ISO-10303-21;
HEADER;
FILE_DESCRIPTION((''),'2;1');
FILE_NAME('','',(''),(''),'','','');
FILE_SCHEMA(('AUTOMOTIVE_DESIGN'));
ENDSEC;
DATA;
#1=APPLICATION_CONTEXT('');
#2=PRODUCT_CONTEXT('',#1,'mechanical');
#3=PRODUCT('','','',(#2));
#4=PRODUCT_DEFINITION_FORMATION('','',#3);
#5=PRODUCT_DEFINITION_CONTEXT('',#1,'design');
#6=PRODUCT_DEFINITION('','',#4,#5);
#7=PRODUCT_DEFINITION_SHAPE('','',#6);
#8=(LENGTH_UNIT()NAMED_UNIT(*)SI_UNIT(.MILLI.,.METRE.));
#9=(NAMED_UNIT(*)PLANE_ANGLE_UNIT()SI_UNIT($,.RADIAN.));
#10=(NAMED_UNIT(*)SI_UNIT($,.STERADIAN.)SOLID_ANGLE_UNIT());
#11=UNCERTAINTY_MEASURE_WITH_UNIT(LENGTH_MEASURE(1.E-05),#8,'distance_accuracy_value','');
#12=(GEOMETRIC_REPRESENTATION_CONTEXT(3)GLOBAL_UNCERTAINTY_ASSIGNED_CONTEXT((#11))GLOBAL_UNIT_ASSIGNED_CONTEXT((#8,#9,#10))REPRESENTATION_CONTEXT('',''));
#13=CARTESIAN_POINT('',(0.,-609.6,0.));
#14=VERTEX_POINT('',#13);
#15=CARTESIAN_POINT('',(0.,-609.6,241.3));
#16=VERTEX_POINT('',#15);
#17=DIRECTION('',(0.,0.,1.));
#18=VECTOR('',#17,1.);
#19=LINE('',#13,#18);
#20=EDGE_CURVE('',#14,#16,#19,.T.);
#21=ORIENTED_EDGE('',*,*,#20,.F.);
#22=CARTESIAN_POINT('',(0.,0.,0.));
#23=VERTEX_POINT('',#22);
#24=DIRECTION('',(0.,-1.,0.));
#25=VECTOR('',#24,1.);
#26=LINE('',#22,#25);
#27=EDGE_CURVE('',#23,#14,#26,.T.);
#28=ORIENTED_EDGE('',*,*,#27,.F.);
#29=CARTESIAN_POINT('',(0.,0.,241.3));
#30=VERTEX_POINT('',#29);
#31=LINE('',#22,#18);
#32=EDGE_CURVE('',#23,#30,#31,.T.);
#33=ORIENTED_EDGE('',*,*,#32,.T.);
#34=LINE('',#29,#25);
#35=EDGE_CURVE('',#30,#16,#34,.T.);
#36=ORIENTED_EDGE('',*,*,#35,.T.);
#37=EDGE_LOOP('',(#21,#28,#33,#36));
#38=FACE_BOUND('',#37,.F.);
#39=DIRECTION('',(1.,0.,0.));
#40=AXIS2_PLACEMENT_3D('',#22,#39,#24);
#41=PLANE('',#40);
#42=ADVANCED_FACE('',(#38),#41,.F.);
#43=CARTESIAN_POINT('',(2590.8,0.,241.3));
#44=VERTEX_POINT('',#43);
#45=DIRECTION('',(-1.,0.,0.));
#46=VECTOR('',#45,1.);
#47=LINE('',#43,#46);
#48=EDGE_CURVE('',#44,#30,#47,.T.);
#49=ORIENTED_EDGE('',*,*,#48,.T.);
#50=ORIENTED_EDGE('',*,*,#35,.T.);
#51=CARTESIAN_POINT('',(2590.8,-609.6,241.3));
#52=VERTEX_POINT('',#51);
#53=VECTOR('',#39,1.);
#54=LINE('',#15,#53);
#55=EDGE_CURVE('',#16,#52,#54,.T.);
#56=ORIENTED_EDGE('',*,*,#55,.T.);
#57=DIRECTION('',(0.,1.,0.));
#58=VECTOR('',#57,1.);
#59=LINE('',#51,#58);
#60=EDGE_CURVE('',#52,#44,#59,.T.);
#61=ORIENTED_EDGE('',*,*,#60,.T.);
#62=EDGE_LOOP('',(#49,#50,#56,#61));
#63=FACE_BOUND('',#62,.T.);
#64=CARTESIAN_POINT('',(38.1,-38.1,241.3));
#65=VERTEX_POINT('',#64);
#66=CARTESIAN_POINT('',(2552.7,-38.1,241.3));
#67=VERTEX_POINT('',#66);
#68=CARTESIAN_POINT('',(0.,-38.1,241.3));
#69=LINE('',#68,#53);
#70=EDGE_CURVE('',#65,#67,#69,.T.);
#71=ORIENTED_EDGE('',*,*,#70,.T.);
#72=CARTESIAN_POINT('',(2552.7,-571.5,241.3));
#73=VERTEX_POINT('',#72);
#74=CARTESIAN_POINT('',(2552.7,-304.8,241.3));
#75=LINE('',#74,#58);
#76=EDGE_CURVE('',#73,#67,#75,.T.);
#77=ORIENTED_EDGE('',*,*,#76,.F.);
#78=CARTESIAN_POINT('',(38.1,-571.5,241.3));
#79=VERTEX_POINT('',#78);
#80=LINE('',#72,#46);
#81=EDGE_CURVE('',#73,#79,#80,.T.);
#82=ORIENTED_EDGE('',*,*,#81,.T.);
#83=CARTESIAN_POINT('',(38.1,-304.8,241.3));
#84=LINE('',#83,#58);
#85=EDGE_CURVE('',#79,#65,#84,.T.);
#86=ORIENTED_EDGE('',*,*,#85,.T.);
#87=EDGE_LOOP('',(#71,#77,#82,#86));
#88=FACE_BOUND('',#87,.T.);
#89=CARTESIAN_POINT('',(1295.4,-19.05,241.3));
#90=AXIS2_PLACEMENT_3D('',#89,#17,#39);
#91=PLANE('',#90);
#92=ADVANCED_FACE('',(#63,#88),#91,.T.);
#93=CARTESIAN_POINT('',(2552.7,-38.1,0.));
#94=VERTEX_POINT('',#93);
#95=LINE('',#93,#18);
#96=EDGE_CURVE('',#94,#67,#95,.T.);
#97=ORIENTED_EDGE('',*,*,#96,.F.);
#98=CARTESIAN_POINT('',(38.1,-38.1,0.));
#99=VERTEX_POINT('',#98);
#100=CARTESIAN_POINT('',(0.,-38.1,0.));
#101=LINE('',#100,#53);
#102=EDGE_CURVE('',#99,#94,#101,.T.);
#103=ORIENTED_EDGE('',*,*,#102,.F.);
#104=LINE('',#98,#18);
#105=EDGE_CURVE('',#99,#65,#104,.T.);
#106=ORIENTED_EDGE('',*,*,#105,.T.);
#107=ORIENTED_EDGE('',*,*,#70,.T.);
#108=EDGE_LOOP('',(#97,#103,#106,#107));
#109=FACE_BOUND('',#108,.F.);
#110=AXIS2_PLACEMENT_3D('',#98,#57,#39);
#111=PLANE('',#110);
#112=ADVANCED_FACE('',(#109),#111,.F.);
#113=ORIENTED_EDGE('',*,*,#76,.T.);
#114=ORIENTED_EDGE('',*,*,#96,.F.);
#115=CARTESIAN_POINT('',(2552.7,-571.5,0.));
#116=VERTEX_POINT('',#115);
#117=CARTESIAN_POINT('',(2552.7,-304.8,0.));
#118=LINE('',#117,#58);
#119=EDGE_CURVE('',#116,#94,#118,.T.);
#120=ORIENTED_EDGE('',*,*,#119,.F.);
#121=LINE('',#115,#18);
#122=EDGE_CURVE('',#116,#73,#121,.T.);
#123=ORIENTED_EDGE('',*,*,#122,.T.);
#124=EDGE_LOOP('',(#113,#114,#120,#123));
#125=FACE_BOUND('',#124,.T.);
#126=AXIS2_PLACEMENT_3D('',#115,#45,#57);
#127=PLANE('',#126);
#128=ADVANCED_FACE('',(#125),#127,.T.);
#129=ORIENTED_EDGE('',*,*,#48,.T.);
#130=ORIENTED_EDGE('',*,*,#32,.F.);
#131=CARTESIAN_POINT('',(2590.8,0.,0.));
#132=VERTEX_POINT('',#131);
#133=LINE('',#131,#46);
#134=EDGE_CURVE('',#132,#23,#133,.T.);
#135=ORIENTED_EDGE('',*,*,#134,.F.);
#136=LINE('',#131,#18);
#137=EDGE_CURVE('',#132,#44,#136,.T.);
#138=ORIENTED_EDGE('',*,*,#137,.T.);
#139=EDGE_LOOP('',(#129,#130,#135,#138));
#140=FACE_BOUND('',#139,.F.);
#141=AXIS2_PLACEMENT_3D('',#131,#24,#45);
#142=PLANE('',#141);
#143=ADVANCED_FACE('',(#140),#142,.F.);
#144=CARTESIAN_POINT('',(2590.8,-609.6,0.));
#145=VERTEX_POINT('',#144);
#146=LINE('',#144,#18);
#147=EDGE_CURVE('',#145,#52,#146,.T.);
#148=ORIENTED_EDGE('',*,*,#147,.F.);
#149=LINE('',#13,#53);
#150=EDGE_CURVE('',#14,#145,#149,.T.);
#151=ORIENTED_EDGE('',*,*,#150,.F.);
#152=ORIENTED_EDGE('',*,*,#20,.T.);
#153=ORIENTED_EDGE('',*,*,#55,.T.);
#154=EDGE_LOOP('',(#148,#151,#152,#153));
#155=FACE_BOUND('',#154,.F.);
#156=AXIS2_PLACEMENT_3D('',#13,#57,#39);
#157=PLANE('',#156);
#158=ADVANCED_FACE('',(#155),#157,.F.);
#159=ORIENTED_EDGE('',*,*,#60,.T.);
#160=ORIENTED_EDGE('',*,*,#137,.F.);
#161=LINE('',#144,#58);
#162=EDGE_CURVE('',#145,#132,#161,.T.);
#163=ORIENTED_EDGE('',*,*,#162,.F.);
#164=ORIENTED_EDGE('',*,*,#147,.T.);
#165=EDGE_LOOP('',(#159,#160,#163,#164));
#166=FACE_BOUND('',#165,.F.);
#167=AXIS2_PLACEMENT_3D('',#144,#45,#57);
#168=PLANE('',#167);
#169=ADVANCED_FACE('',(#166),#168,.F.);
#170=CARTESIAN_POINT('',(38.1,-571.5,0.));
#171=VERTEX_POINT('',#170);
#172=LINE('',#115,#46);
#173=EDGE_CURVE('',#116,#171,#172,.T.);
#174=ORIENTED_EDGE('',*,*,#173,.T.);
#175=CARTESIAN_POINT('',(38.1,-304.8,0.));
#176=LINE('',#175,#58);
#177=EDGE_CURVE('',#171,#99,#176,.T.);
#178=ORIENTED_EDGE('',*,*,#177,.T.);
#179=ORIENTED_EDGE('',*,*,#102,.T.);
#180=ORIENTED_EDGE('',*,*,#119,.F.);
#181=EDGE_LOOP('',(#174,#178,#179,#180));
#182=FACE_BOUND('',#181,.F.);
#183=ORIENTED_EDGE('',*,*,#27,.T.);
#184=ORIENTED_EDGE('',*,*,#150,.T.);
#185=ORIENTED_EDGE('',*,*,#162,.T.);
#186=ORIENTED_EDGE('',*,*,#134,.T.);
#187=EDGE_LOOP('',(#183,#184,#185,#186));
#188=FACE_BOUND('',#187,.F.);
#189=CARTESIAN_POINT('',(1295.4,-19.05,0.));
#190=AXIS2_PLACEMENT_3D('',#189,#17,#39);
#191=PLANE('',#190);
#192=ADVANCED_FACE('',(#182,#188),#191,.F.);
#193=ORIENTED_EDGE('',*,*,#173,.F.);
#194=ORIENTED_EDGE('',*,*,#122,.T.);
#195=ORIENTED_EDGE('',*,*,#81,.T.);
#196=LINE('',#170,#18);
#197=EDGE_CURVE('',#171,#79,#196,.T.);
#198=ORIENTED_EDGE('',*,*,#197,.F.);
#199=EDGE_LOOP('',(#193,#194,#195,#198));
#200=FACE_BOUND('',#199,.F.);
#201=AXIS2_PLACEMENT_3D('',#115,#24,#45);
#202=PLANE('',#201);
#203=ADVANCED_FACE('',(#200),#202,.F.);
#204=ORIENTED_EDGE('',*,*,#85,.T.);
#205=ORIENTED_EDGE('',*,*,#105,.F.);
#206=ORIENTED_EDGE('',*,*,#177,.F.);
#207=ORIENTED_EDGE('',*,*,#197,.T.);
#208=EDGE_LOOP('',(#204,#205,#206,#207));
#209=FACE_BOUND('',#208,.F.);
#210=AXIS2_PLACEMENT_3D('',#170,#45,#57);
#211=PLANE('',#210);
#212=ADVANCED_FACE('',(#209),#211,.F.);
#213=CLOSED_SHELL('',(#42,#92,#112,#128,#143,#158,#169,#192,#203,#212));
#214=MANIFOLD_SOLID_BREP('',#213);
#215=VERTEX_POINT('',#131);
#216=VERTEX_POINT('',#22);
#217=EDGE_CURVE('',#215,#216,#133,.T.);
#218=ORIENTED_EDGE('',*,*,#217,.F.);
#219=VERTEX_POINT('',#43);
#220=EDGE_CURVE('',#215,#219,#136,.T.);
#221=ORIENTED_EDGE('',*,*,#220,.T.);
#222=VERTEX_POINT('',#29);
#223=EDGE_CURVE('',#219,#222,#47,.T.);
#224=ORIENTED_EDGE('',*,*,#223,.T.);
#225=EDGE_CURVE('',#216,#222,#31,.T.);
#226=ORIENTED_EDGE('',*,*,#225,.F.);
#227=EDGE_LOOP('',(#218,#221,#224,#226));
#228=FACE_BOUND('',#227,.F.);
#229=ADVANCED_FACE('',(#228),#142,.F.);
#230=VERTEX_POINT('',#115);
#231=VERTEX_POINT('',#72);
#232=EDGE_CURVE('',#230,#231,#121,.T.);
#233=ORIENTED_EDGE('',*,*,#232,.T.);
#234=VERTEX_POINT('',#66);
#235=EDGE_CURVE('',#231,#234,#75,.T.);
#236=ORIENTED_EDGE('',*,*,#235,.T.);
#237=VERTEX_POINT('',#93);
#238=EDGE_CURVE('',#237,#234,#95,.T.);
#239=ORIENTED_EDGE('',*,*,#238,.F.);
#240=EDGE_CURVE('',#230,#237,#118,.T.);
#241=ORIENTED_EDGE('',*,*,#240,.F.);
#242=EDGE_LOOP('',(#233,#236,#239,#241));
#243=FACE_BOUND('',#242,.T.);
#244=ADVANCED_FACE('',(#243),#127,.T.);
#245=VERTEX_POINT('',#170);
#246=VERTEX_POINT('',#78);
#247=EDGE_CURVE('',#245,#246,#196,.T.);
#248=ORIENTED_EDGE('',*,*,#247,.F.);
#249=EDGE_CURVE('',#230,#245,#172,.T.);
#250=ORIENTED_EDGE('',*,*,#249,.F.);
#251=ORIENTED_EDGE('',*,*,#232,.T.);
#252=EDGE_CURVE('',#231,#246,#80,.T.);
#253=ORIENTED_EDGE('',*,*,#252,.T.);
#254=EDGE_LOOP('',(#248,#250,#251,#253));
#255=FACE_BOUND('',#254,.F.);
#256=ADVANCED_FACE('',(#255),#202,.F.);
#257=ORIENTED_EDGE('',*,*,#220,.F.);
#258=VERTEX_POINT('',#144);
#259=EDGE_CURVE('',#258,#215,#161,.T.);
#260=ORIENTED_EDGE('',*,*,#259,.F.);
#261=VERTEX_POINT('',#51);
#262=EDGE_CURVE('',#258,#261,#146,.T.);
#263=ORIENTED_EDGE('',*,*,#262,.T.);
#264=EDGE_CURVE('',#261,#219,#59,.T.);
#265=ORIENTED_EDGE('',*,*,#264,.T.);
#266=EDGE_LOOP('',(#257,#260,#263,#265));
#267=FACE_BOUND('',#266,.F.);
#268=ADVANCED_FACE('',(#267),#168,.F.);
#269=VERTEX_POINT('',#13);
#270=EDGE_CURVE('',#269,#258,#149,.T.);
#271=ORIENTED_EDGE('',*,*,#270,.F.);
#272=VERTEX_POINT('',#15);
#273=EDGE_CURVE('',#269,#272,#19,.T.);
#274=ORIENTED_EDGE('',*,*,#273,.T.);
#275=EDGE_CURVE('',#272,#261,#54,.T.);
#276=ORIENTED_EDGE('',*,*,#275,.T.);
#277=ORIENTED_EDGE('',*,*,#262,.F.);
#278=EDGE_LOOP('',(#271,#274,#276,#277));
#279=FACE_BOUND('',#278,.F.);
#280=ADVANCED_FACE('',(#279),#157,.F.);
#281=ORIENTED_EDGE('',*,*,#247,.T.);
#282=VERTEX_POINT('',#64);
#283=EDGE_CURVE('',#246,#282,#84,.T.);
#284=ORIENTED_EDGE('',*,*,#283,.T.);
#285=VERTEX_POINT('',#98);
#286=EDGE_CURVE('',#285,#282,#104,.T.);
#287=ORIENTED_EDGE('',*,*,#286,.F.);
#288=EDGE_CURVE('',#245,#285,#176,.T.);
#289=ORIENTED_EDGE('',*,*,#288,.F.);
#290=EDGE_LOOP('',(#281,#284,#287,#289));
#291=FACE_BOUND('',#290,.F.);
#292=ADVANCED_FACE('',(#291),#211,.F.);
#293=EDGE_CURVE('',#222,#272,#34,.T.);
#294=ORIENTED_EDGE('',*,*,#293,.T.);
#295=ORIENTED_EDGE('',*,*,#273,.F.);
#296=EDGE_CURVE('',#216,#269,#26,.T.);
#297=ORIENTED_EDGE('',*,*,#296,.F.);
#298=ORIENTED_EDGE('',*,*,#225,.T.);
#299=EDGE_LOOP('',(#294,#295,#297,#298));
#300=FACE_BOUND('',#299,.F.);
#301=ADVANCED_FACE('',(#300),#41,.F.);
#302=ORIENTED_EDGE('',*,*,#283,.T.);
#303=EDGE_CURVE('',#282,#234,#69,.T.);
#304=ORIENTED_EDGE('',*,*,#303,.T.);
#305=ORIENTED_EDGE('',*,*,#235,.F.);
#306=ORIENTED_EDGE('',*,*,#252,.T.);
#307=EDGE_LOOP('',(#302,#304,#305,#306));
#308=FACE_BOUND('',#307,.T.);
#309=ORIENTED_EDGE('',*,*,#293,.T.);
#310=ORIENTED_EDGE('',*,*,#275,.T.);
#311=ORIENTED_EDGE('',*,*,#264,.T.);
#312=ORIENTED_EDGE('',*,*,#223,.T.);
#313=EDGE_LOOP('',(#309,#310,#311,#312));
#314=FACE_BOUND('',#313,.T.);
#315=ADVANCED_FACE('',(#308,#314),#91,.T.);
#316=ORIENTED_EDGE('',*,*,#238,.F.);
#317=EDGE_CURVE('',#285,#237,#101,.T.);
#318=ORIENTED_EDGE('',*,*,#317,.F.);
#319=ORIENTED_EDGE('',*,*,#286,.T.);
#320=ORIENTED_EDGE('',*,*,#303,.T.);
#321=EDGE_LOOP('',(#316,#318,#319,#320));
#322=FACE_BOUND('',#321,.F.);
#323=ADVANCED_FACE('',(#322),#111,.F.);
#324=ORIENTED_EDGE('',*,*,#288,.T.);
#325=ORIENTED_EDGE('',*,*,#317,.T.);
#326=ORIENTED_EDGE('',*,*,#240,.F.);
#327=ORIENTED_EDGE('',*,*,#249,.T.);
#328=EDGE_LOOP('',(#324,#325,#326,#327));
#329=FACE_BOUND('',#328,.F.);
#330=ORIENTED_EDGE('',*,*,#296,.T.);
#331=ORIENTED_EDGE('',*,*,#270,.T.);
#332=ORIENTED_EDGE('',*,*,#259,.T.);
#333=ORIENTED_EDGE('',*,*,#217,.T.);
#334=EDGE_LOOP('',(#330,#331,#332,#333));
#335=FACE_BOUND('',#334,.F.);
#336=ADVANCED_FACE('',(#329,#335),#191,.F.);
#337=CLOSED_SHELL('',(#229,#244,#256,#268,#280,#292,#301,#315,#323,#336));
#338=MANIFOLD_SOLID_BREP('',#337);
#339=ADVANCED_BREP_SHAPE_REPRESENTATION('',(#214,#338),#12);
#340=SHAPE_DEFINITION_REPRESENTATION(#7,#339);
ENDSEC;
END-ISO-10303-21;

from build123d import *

# Parameters (mm, degrees)
F0_W     = 38.1
F0_H     = 533.4
F1_DEPTH = 241.3
F2_DEPTH = 241.3


with BuildPart() as f1:
    # F0 (on Top) → F1 (new body)
    with BuildSketch(Plane.XY):
        Polygon((2590.8, 0), (0, 0), (0, -38.1), (38.1, -38.1), (2552.7, -38.1), (2590.8, -38.1), align=None)
        with Locations((19.05, -304.8)):
            Rectangle(F0_W, F0_H)
        with Locations((2571.75, -304.8)):
            Rectangle(F0_W, F0_H)
        Polygon((38.1, -571.5), (0, -571.5), (0, -609.6), (2590.8, -609.6), (2590.8, -571.5), (2552.7, -571.5), align=None)
    extrude(amount=F1_DEPTH)


with BuildPart() as f2:
    # F0 (on Top) → F2 (new body)
    with BuildSketch(Plane.XY):
        Polygon((2590.8, 0), (0, 0), (0, -38.1), (38.1, -38.1), (2552.7, -38.1), (2590.8, -38.1), align=None)
        with Locations((19.05, -304.8)):
            Rectangle(F0_W, F0_H)
        with Locations((2571.75, -304.8)):
            Rectangle(F0_W, F0_H)
        Polygon((38.1, -571.5), (0, -571.5), (0, -609.6), (2590.8, -609.6), (2590.8, -571.5), (2552.7, -571.5), align=None)
    extrude(amount=F2_DEPTH)


solid = Compound([f1.part, f2.part])
